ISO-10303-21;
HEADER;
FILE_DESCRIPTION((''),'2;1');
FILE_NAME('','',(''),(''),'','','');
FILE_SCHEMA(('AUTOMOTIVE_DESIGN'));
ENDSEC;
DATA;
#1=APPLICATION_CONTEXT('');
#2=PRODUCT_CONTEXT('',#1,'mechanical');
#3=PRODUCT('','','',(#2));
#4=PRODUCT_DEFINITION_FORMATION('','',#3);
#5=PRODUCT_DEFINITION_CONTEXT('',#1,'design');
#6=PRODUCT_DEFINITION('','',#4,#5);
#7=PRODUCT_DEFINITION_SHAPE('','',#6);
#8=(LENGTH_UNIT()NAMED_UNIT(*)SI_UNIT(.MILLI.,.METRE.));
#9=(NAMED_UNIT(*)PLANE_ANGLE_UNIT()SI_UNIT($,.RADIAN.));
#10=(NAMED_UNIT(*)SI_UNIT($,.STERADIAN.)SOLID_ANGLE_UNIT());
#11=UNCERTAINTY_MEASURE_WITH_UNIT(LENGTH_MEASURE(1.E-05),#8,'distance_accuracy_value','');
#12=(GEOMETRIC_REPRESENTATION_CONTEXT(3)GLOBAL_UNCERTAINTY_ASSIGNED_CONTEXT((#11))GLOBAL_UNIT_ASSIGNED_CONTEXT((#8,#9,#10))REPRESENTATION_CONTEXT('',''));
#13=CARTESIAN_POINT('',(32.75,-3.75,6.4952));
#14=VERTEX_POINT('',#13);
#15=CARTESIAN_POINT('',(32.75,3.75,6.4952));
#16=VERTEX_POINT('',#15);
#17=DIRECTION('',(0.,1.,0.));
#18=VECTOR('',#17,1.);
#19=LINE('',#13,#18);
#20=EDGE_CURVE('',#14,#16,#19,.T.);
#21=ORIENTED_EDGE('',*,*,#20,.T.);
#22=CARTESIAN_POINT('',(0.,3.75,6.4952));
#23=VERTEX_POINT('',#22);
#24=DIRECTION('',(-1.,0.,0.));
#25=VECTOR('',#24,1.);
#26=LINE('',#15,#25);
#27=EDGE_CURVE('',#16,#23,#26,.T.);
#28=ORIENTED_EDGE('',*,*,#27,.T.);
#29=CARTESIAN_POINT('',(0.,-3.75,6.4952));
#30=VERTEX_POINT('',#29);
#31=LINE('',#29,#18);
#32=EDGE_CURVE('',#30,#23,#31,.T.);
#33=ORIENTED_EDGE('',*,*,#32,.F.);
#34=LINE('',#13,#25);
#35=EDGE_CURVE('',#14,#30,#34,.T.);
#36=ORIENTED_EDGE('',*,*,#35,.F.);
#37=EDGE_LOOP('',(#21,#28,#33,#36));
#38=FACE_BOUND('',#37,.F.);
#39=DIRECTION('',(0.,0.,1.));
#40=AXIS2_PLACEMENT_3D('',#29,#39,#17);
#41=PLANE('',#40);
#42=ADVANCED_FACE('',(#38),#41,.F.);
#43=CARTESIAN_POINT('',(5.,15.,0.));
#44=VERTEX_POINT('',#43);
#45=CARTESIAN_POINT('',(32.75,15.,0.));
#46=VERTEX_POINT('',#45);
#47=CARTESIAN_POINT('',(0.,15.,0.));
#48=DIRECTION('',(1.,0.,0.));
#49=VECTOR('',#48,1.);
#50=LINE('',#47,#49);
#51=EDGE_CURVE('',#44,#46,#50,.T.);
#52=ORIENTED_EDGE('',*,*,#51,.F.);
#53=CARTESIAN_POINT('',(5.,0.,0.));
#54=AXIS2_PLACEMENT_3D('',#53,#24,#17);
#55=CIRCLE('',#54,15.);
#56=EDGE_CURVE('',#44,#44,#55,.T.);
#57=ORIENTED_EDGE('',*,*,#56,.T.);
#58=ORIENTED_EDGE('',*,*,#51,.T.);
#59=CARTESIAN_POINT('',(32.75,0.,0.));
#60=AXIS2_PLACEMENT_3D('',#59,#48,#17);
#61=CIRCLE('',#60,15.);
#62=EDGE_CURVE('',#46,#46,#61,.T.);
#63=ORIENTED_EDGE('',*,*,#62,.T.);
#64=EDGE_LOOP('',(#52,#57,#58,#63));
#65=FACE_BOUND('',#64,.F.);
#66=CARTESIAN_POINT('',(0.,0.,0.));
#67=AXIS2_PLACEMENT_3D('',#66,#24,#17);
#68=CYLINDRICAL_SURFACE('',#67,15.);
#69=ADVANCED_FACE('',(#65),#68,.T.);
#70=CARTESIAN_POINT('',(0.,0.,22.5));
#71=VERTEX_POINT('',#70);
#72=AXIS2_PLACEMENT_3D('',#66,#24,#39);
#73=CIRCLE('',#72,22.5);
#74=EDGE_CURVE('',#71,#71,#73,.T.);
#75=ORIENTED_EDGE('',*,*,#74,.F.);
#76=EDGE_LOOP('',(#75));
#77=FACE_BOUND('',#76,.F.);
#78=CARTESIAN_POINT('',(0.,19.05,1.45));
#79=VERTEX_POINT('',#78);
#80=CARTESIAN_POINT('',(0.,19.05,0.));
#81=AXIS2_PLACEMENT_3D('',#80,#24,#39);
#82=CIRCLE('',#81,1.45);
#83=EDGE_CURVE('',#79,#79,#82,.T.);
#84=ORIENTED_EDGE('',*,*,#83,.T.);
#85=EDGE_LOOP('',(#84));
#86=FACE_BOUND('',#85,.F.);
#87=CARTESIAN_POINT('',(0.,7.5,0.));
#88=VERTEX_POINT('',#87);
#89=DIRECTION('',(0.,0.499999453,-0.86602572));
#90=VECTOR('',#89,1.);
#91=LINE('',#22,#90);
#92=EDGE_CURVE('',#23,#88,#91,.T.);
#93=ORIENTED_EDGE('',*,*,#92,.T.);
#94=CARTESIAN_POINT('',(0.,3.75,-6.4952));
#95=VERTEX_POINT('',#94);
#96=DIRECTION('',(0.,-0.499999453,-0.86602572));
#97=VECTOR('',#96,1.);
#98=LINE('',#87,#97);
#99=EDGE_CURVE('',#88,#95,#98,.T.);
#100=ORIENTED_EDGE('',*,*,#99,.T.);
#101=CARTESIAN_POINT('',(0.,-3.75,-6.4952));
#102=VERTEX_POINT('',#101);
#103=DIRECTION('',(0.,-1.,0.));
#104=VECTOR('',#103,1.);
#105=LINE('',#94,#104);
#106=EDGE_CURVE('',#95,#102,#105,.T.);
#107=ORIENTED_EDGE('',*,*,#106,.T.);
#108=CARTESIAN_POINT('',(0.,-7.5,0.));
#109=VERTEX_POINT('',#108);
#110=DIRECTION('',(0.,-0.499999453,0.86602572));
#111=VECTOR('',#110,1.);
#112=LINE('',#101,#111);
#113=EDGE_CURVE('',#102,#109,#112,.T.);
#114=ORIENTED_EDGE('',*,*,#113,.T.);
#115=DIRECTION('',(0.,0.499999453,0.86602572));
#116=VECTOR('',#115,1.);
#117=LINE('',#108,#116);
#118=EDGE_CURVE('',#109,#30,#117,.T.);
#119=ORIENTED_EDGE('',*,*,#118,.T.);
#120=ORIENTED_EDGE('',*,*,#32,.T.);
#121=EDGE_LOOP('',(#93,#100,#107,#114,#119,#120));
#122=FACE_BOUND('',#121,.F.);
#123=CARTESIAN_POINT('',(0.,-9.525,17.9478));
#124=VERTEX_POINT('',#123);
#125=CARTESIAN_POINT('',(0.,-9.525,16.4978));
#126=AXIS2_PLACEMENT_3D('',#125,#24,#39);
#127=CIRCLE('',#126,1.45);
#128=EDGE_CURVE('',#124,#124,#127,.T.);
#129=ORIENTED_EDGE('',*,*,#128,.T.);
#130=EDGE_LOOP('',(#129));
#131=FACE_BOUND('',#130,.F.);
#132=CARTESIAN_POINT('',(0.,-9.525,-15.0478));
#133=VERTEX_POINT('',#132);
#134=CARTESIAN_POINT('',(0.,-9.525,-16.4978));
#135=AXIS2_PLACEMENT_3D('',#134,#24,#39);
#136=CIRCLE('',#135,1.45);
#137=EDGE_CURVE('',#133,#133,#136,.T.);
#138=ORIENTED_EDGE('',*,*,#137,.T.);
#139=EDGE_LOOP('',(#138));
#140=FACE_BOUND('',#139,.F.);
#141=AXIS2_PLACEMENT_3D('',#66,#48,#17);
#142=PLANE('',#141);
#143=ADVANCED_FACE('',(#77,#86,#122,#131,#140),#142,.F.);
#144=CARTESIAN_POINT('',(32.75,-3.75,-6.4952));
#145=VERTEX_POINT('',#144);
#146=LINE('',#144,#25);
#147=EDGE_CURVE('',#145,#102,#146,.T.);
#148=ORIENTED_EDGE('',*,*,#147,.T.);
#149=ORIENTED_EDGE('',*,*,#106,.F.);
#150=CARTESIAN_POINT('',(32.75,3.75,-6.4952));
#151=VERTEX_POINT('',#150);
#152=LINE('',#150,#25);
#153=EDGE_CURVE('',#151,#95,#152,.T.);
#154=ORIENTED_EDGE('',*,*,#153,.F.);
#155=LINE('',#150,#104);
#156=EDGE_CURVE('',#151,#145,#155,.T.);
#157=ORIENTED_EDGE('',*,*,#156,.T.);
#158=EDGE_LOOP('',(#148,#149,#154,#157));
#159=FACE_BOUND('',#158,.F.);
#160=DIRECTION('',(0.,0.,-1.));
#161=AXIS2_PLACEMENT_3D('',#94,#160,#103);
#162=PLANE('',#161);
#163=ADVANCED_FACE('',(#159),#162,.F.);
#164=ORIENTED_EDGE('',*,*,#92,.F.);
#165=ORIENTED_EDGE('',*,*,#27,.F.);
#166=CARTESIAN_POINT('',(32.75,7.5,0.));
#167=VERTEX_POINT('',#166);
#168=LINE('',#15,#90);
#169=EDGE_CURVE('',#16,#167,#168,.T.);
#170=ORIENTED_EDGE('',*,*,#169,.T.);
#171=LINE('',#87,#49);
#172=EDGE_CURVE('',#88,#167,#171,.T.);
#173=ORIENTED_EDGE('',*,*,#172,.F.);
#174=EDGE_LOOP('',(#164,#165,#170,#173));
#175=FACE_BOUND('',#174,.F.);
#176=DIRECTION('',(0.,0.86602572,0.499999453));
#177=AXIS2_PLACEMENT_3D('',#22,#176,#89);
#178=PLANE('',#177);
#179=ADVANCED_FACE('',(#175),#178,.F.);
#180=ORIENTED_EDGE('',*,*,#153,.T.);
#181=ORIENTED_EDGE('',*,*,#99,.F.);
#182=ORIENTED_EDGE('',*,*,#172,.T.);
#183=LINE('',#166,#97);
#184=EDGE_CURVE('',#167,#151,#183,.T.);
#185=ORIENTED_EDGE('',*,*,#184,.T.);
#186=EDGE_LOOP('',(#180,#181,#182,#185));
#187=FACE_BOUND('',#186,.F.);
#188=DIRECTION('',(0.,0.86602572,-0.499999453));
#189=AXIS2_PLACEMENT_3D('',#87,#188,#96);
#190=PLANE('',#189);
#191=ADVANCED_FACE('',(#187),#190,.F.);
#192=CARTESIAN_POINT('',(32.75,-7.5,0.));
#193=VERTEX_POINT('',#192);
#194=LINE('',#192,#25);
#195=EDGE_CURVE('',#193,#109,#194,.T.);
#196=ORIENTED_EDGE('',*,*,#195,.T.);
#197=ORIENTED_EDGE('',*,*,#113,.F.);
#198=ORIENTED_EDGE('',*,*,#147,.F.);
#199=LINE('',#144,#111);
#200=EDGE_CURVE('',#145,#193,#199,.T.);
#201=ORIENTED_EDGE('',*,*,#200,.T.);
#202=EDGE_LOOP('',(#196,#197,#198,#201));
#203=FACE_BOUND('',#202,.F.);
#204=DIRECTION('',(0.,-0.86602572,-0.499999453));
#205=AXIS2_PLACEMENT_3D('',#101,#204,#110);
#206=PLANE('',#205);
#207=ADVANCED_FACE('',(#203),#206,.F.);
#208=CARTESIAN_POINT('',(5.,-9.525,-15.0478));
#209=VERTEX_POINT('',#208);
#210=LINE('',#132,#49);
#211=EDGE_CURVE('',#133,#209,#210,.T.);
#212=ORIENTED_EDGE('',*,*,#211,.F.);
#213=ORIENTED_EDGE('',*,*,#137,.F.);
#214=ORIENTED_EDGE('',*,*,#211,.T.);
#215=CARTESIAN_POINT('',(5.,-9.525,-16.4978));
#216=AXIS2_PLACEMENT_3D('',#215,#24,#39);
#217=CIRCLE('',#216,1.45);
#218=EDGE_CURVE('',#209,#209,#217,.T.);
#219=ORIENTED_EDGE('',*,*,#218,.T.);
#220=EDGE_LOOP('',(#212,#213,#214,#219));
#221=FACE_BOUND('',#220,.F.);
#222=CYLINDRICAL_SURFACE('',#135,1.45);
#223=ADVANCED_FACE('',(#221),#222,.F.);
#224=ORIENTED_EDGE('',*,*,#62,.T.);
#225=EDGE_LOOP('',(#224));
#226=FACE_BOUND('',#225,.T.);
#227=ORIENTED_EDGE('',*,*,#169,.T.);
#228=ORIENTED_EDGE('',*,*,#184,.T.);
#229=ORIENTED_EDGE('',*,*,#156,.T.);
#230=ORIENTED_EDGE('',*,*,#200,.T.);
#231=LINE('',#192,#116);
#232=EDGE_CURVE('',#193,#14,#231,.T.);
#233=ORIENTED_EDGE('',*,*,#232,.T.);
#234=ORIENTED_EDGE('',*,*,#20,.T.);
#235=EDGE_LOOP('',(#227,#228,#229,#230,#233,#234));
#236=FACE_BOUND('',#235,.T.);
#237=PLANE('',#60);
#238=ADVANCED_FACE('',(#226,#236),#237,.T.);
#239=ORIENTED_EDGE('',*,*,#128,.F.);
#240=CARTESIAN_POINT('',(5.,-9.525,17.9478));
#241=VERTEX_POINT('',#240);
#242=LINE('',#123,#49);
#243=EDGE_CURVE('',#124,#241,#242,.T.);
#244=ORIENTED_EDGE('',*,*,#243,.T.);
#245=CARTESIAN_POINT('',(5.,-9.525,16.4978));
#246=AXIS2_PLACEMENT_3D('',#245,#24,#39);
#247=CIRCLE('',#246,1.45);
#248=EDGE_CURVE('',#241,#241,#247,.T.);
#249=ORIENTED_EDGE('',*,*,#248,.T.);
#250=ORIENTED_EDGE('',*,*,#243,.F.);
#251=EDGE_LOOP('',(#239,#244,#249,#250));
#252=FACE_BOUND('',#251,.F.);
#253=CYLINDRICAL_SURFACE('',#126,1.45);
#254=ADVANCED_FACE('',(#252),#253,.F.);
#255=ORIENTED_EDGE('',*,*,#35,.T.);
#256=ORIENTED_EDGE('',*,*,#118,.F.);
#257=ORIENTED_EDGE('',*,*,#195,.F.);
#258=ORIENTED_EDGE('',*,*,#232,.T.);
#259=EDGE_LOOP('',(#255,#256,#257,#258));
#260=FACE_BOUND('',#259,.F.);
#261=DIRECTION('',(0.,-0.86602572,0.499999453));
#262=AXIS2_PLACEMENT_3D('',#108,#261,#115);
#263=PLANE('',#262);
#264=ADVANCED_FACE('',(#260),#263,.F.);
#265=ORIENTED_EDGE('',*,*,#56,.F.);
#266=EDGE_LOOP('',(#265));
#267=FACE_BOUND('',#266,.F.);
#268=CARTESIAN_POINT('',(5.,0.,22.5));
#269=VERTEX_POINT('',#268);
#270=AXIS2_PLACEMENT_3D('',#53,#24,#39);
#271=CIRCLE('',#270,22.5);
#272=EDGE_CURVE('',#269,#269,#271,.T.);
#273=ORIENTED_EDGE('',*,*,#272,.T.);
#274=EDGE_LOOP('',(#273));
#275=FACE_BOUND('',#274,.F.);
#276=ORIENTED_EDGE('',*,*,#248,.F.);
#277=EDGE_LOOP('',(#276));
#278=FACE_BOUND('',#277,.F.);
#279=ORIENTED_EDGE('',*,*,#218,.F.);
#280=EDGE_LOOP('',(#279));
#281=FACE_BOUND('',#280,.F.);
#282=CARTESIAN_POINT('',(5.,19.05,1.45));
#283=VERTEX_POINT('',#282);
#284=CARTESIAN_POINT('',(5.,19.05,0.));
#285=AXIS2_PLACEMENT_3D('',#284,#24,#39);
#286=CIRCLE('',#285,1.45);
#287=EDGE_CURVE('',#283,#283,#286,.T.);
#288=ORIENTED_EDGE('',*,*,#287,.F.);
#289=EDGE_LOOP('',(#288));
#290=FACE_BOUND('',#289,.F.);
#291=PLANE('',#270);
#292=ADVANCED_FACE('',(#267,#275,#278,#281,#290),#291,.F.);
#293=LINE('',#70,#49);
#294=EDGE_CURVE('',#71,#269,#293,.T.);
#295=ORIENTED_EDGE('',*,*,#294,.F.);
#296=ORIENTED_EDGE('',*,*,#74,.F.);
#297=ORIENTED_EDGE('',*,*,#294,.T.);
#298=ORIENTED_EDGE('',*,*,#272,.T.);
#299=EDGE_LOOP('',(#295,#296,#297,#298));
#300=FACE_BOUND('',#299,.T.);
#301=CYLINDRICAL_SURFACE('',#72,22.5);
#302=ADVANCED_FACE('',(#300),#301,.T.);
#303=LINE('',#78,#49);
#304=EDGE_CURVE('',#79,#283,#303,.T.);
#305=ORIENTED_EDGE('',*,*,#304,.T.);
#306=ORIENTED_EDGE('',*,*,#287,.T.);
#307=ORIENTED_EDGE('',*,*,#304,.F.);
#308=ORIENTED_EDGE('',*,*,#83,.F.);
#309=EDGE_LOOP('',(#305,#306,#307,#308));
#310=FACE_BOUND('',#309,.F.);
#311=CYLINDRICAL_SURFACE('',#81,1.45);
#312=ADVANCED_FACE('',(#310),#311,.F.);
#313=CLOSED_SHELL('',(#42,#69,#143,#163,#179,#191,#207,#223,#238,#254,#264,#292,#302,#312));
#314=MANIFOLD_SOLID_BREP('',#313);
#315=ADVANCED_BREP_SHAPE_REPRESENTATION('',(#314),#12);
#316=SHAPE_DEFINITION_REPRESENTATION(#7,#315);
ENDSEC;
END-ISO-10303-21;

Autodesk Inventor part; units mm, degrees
ref_plane "YZ Plane" through (0, 0, 0) normal (1, 0, 0) x (0, 1, 0)
ref_plane "XZ Plane" through (0, 0, 0) normal (0, 1, 0) x (-1, 0, 0)
ref_plane "XY Plane" through (0, 0, 0) normal (0, 0, 1) x (1, 0, 0)
sketch "Sketch1" plane through (0, 0, 0) normal (1, 0, 0) x (0, 1, 0)
  circle A0 centre (0, 0) radius 15
  line L0 (0, 0) -> (7.5, 0)
  line L1 (7.5, 0) -> (3.75, -6.4952)
  line L2 (3.75, -6.4952) -> (-3.75, -6.4952)
  line L3 (-3.75, -6.4952) -> (-7.5, 0)
  line L4 (-7.5, 0) -> (-3.75, 6.4952)
  line L5 (-3.75, 6.4952) -> (3.75, 6.4952)
  line L6 (3.75, 6.4952) -> (7.5, 0)
  dimension "d0" = 30
  dimension "d1" = 7.5
extrude "Extrusion1" add sketch "Sketch1" along normal blind 32.75
sketch "Sketch2" plane through (0, 0, 0) normal (-1, 0, 0) x (0, 0, 1)
  circle A0 centre (0, 0) radius 22.5
  line L0 (0, 7.5) -> (-6.4952, 3.75) projected
  line L1 (-6.4952, 3.75) -> (-6.4952, -3.75) projected
  line L2 (-6.4952, -3.75) -> (0, -7.5) projected
  line L3 (0, -7.5) -> (6.4952, -3.75) projected
  line L4 (6.4952, -3.75) -> (6.4952, 3.75) projected
  line L5 (6.4952, 3.75) -> (0, 7.5) projected
  dimension "d4" = 45
extrude "Extrusion2" add sketch "Sketch2" against normal blind 5
sketch "Sketch3" plane through (0, 0, 0) normal (-1, 0, 0) x (0, 0, 1)
  circle A0 centre (0, 19.05) radius 1.45
  circle A1 centre (-16.4978, -9.525) radius 1.45
  circle A2 centre (16.4978, -9.525) radius 1.45
  point P0 (0, 0)
  dimension "d11" = 360
extrude "Extrusion3" cut sketch "Sketch3" against normal up to surface (5 mm away)
sketch "Sketch4" plane through (0, 0, 0) normal (-1, 0, 0) x (0, 0, 1)
  line L0 (6.4952, 3.75) -> (0, 7.5) projected
  circle A0 centre (0, 0) radius 7.5
properties part number "wheel_gearing_mount_long"
